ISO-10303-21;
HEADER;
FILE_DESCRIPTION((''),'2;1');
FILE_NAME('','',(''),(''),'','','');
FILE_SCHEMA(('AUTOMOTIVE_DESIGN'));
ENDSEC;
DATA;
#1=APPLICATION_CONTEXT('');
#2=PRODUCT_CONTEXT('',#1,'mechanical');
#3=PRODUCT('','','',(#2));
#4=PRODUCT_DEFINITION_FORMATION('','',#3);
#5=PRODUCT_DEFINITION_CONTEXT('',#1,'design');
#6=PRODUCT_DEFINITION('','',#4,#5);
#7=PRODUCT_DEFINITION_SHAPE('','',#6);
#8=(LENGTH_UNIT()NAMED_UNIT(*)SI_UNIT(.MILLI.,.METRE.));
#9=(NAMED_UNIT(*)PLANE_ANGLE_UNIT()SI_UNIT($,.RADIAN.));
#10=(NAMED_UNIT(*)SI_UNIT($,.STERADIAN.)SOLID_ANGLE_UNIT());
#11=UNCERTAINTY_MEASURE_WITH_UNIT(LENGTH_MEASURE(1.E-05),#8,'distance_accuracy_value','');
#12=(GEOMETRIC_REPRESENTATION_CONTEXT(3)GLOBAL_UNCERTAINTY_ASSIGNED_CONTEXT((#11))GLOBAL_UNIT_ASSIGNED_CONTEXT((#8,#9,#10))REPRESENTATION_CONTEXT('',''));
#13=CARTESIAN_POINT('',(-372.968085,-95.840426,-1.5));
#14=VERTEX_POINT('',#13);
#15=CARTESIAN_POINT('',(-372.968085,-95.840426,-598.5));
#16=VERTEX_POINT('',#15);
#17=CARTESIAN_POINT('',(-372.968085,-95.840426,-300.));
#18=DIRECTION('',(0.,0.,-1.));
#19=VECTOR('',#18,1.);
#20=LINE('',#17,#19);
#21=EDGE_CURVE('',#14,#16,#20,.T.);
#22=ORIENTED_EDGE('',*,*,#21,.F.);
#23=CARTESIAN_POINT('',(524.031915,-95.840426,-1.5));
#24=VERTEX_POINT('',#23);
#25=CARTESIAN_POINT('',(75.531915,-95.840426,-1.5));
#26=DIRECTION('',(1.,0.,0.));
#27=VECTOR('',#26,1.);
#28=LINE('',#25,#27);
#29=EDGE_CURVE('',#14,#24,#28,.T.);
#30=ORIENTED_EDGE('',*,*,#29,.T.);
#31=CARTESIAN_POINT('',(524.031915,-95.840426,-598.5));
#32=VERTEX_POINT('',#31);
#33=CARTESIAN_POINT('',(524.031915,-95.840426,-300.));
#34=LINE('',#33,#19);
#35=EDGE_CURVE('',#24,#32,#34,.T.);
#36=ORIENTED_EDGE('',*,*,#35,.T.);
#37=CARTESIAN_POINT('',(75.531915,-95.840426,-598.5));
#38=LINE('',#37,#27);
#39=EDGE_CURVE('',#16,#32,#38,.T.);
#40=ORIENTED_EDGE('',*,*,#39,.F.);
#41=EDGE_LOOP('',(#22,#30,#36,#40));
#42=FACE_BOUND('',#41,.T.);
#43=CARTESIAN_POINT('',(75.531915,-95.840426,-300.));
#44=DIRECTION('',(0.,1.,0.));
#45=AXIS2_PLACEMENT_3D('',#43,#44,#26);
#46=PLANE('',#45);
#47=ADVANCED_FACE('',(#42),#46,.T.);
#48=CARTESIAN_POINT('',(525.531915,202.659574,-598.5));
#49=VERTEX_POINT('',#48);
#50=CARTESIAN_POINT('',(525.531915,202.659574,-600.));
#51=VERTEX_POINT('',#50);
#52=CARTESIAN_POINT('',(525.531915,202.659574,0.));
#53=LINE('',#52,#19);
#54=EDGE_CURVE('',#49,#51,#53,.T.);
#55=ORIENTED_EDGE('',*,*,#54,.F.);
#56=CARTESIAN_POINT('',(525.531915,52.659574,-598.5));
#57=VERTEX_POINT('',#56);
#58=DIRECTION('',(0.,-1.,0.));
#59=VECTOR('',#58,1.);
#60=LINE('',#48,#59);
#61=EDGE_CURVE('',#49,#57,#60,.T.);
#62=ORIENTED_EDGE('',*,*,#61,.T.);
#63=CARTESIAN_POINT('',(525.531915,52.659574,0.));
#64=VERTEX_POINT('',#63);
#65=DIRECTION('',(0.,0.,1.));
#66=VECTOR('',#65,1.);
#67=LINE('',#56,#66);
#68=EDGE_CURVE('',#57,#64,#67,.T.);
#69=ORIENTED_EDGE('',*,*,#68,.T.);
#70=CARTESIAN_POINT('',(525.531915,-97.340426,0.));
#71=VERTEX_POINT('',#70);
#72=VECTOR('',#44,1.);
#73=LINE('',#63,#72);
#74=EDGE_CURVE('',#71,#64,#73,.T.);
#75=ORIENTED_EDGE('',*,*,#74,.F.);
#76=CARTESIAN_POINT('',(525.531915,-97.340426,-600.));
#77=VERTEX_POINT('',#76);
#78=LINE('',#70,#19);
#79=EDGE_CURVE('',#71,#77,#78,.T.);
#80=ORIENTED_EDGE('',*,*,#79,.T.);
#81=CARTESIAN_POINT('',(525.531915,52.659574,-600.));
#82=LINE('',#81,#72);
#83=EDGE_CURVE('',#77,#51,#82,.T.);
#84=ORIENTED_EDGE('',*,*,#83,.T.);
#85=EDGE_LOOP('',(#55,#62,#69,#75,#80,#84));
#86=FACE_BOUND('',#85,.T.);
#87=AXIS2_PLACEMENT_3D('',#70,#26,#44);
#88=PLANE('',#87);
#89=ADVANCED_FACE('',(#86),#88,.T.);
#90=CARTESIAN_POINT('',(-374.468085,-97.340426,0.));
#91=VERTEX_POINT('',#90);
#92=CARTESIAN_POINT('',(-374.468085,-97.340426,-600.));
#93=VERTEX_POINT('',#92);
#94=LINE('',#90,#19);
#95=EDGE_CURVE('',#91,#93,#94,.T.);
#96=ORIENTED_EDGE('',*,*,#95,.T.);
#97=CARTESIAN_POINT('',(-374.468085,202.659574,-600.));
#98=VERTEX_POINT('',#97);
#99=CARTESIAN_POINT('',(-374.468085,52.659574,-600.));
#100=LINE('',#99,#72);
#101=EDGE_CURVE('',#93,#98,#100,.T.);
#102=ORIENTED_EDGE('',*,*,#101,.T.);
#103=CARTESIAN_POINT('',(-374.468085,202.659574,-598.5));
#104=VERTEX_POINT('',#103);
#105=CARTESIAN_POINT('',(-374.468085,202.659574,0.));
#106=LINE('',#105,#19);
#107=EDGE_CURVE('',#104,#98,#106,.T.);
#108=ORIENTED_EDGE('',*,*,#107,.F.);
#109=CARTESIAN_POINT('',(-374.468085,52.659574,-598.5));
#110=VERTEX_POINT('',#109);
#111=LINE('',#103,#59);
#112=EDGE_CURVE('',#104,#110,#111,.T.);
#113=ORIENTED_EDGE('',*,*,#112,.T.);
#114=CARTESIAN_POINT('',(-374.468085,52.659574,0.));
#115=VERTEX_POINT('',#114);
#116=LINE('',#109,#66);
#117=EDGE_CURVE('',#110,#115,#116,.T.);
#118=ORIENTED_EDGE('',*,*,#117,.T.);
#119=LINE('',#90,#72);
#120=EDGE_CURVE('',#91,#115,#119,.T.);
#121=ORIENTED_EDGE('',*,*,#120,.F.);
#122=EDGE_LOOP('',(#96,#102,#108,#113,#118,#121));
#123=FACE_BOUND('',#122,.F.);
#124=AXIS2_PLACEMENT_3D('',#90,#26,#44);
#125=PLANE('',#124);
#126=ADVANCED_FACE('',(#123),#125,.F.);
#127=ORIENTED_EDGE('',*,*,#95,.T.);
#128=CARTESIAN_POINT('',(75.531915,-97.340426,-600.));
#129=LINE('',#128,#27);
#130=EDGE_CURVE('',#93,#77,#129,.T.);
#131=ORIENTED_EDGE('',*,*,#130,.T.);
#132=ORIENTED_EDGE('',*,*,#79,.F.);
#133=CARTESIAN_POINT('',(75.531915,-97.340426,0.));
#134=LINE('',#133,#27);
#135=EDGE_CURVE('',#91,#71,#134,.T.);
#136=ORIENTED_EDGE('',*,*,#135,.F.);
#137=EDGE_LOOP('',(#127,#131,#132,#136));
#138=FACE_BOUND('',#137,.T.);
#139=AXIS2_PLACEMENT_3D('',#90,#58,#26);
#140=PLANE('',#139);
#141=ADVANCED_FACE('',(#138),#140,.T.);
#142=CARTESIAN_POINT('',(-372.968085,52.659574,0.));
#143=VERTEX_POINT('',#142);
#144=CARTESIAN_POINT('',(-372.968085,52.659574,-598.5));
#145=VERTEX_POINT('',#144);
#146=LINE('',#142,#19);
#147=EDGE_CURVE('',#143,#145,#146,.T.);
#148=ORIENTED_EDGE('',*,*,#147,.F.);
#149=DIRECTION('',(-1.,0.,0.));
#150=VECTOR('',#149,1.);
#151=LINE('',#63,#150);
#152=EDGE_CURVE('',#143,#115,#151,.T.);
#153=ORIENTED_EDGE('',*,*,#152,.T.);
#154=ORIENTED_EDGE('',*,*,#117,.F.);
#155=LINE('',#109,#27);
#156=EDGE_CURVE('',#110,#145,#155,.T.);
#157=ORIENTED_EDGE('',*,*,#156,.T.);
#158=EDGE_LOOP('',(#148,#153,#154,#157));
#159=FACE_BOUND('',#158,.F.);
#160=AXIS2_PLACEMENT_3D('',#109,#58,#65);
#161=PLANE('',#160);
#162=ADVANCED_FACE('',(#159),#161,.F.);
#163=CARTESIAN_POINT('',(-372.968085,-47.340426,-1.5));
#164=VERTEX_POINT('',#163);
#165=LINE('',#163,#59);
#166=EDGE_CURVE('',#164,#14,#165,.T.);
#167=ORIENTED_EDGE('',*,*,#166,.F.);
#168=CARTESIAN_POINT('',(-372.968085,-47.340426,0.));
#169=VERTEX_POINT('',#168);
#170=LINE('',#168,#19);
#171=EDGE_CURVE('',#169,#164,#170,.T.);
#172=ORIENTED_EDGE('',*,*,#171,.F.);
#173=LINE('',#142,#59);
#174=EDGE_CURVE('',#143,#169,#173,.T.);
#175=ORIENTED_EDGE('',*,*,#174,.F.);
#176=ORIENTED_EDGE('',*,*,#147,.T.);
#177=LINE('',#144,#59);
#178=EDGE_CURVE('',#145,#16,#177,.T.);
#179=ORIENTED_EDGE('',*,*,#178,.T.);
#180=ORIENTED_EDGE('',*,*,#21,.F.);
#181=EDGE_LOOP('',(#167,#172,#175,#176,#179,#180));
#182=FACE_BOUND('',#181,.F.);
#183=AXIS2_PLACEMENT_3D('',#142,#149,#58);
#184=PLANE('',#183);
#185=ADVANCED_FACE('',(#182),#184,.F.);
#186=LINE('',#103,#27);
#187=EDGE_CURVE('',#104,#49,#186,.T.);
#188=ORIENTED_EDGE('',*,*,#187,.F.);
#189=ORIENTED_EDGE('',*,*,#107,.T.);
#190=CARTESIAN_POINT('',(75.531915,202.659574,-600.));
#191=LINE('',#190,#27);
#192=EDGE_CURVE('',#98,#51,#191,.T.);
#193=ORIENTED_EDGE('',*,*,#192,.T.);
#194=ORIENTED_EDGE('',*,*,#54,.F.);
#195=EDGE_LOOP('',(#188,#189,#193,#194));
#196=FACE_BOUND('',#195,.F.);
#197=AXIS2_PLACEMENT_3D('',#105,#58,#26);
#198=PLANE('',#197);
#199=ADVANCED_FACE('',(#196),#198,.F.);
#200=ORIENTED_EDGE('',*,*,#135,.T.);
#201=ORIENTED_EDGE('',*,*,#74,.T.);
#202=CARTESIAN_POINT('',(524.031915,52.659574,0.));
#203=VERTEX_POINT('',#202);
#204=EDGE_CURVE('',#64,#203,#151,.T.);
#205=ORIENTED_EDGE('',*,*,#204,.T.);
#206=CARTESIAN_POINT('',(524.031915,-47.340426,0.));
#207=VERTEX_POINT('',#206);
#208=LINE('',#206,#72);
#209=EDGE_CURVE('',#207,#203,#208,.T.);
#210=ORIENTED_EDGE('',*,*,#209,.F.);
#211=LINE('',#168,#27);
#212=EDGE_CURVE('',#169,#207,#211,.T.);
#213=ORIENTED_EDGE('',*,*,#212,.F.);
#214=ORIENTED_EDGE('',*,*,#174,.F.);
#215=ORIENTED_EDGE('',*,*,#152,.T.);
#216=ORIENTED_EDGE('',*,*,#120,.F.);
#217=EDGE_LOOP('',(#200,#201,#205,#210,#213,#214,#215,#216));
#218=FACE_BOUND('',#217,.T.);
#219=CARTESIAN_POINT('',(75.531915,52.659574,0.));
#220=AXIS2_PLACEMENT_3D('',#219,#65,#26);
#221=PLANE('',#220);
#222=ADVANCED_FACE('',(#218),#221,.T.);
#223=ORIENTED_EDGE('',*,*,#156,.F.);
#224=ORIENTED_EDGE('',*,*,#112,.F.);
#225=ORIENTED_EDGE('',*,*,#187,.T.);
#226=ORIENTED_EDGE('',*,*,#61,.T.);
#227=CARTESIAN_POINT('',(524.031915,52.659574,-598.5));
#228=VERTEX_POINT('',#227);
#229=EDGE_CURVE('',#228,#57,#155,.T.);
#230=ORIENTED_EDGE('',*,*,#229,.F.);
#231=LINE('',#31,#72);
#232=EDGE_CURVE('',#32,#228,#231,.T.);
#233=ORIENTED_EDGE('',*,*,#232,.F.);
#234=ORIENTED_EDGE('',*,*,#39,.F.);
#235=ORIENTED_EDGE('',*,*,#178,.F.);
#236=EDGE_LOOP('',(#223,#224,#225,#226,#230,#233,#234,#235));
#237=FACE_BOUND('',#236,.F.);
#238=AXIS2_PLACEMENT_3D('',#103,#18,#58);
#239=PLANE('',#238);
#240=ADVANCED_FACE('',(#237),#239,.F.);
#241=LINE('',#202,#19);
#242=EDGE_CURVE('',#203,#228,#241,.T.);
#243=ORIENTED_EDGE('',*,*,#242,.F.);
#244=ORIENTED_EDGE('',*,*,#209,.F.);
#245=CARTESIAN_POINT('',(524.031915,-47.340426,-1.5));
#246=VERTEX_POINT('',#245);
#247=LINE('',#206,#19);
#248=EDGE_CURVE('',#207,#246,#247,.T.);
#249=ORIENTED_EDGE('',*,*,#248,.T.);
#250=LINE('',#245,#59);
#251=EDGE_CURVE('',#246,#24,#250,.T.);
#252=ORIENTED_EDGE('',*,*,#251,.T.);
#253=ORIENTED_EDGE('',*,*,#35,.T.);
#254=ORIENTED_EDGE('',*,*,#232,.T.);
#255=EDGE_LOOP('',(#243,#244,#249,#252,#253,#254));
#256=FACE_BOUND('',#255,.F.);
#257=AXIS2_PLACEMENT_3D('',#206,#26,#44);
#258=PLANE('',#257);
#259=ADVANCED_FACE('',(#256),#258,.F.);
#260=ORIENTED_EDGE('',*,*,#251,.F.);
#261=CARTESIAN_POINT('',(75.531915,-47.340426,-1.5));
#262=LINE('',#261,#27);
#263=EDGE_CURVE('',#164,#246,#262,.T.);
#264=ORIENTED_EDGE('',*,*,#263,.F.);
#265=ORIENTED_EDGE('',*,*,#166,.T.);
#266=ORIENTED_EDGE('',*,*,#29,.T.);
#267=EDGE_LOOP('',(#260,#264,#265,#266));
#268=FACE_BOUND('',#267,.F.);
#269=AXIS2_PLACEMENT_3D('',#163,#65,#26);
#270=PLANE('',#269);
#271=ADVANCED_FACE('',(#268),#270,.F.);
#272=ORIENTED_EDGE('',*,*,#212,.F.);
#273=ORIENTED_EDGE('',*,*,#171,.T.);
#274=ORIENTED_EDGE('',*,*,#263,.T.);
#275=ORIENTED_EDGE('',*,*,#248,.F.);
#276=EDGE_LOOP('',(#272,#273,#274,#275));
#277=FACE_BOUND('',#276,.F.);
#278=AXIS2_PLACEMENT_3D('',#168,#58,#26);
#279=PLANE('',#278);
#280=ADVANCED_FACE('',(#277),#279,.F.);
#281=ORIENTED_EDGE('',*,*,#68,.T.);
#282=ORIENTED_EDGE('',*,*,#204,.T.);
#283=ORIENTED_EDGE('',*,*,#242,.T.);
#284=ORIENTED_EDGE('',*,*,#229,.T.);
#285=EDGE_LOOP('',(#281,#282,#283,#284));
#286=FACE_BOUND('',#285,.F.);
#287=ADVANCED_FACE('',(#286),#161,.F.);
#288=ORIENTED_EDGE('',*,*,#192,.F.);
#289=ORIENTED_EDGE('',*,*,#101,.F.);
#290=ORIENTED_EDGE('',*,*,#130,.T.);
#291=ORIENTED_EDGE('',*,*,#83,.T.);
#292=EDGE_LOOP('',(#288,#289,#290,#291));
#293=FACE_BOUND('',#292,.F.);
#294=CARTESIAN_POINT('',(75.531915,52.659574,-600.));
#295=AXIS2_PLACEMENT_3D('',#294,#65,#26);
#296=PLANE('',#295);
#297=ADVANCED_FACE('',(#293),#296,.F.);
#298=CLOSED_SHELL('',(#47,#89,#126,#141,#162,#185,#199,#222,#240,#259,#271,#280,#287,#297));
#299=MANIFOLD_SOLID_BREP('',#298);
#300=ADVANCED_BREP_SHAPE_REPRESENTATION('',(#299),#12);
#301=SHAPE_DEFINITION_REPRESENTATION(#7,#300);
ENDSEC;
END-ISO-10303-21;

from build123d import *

# Parameters (mm, degrees)
SKETCH2_W               = 900
SKETCH2_H               = 300
BOSS_EXTRUDE1_DEPTH     = 600
CUT_EXTRUDE1_DEPTH      = 1
CUT_EXTRUDE1_DEPTH_BACK = 900
CUT_EXTRUDE2_DEPTH      = 1
CUT_EXTRUDE2_DEPTH_BACK = 598.5
SKETCH6_W               = 897
SKETCH6_H               = 597
CUT_EXTRUDE4_DEPTH      = 48.5


with BuildPart() as part:
    # Sketch2 → Boss-Extrude1 (new body)
    with BuildSketch(Plane.XY):
        with Locations((75.531914894, 52.659574468)):
            Rectangle(SKETCH2_W, SKETCH2_H)
    extrude(amount=-BOSS_EXTRUDE1_DEPTH)

    # Sketch3 → Cut-Extrude1 (cut, two sides)
    with BuildSketch(Plane.ZY.offset(374.468085106)) as cut_extrude1_sk:
        Polygon((-1951.6407865, 202.659574468), (-600, 202.659574468), (-598.5, 202.659574468), (-598.5, 52.659574468), (0, 52.659574468), (1351.6407865, 52.659574468), (1474.268787585, 2753.15834993), (-1829.012785414, 2903.15834993), align=None)
    extrude(amount=CUT_EXTRUDE1_DEPTH, mode=Mode.SUBTRACT)
    extrude(cut_extrude1_sk.sketch, amount=-CUT_EXTRUDE1_DEPTH_BACK, mode=Mode.SUBTRACT)

    # Sketch4 → Cut-Extrude2 (cut, two sides)
    with BuildSketch(Plane.XY) as cut_extrude2_sk:
        Polygon((-2209.296844196, 52.659574468), (-374.468085106, 52.659574468), (-372.968085106, 52.659574468), (-372.968085106, -47.340425532), (524.031914894, -47.340425532), (524.031914894, 52.659574468), (525.531914894, 52.659574468), (2360.360673983, 52.659574468), (2360.360673983, 3722.317092647), (-2209.296844196, 3722.317092647), align=None)
    extrude(amount=CUT_EXTRUDE2_DEPTH, mode=Mode.SUBTRACT)
    extrude(cut_extrude2_sk.sketch, amount=-CUT_EXTRUDE2_DEPTH_BACK, mode=Mode.SUBTRACT)

    # Sketch6 → Cut-Extrude4 (cut)
    with BuildSketch(Plane(origin=(0, -47.340425532, 0), x_dir=(1, 0, 0), z_dir=(0, 1, 0))):
        with Locations((75.531914894, 300)):
            Rectangle(SKETCH6_W, SKETCH6_H)
    extrude(amount=-CUT_EXTRUDE4_DEPTH, mode=Mode.SUBTRACT)


solid = part.part
